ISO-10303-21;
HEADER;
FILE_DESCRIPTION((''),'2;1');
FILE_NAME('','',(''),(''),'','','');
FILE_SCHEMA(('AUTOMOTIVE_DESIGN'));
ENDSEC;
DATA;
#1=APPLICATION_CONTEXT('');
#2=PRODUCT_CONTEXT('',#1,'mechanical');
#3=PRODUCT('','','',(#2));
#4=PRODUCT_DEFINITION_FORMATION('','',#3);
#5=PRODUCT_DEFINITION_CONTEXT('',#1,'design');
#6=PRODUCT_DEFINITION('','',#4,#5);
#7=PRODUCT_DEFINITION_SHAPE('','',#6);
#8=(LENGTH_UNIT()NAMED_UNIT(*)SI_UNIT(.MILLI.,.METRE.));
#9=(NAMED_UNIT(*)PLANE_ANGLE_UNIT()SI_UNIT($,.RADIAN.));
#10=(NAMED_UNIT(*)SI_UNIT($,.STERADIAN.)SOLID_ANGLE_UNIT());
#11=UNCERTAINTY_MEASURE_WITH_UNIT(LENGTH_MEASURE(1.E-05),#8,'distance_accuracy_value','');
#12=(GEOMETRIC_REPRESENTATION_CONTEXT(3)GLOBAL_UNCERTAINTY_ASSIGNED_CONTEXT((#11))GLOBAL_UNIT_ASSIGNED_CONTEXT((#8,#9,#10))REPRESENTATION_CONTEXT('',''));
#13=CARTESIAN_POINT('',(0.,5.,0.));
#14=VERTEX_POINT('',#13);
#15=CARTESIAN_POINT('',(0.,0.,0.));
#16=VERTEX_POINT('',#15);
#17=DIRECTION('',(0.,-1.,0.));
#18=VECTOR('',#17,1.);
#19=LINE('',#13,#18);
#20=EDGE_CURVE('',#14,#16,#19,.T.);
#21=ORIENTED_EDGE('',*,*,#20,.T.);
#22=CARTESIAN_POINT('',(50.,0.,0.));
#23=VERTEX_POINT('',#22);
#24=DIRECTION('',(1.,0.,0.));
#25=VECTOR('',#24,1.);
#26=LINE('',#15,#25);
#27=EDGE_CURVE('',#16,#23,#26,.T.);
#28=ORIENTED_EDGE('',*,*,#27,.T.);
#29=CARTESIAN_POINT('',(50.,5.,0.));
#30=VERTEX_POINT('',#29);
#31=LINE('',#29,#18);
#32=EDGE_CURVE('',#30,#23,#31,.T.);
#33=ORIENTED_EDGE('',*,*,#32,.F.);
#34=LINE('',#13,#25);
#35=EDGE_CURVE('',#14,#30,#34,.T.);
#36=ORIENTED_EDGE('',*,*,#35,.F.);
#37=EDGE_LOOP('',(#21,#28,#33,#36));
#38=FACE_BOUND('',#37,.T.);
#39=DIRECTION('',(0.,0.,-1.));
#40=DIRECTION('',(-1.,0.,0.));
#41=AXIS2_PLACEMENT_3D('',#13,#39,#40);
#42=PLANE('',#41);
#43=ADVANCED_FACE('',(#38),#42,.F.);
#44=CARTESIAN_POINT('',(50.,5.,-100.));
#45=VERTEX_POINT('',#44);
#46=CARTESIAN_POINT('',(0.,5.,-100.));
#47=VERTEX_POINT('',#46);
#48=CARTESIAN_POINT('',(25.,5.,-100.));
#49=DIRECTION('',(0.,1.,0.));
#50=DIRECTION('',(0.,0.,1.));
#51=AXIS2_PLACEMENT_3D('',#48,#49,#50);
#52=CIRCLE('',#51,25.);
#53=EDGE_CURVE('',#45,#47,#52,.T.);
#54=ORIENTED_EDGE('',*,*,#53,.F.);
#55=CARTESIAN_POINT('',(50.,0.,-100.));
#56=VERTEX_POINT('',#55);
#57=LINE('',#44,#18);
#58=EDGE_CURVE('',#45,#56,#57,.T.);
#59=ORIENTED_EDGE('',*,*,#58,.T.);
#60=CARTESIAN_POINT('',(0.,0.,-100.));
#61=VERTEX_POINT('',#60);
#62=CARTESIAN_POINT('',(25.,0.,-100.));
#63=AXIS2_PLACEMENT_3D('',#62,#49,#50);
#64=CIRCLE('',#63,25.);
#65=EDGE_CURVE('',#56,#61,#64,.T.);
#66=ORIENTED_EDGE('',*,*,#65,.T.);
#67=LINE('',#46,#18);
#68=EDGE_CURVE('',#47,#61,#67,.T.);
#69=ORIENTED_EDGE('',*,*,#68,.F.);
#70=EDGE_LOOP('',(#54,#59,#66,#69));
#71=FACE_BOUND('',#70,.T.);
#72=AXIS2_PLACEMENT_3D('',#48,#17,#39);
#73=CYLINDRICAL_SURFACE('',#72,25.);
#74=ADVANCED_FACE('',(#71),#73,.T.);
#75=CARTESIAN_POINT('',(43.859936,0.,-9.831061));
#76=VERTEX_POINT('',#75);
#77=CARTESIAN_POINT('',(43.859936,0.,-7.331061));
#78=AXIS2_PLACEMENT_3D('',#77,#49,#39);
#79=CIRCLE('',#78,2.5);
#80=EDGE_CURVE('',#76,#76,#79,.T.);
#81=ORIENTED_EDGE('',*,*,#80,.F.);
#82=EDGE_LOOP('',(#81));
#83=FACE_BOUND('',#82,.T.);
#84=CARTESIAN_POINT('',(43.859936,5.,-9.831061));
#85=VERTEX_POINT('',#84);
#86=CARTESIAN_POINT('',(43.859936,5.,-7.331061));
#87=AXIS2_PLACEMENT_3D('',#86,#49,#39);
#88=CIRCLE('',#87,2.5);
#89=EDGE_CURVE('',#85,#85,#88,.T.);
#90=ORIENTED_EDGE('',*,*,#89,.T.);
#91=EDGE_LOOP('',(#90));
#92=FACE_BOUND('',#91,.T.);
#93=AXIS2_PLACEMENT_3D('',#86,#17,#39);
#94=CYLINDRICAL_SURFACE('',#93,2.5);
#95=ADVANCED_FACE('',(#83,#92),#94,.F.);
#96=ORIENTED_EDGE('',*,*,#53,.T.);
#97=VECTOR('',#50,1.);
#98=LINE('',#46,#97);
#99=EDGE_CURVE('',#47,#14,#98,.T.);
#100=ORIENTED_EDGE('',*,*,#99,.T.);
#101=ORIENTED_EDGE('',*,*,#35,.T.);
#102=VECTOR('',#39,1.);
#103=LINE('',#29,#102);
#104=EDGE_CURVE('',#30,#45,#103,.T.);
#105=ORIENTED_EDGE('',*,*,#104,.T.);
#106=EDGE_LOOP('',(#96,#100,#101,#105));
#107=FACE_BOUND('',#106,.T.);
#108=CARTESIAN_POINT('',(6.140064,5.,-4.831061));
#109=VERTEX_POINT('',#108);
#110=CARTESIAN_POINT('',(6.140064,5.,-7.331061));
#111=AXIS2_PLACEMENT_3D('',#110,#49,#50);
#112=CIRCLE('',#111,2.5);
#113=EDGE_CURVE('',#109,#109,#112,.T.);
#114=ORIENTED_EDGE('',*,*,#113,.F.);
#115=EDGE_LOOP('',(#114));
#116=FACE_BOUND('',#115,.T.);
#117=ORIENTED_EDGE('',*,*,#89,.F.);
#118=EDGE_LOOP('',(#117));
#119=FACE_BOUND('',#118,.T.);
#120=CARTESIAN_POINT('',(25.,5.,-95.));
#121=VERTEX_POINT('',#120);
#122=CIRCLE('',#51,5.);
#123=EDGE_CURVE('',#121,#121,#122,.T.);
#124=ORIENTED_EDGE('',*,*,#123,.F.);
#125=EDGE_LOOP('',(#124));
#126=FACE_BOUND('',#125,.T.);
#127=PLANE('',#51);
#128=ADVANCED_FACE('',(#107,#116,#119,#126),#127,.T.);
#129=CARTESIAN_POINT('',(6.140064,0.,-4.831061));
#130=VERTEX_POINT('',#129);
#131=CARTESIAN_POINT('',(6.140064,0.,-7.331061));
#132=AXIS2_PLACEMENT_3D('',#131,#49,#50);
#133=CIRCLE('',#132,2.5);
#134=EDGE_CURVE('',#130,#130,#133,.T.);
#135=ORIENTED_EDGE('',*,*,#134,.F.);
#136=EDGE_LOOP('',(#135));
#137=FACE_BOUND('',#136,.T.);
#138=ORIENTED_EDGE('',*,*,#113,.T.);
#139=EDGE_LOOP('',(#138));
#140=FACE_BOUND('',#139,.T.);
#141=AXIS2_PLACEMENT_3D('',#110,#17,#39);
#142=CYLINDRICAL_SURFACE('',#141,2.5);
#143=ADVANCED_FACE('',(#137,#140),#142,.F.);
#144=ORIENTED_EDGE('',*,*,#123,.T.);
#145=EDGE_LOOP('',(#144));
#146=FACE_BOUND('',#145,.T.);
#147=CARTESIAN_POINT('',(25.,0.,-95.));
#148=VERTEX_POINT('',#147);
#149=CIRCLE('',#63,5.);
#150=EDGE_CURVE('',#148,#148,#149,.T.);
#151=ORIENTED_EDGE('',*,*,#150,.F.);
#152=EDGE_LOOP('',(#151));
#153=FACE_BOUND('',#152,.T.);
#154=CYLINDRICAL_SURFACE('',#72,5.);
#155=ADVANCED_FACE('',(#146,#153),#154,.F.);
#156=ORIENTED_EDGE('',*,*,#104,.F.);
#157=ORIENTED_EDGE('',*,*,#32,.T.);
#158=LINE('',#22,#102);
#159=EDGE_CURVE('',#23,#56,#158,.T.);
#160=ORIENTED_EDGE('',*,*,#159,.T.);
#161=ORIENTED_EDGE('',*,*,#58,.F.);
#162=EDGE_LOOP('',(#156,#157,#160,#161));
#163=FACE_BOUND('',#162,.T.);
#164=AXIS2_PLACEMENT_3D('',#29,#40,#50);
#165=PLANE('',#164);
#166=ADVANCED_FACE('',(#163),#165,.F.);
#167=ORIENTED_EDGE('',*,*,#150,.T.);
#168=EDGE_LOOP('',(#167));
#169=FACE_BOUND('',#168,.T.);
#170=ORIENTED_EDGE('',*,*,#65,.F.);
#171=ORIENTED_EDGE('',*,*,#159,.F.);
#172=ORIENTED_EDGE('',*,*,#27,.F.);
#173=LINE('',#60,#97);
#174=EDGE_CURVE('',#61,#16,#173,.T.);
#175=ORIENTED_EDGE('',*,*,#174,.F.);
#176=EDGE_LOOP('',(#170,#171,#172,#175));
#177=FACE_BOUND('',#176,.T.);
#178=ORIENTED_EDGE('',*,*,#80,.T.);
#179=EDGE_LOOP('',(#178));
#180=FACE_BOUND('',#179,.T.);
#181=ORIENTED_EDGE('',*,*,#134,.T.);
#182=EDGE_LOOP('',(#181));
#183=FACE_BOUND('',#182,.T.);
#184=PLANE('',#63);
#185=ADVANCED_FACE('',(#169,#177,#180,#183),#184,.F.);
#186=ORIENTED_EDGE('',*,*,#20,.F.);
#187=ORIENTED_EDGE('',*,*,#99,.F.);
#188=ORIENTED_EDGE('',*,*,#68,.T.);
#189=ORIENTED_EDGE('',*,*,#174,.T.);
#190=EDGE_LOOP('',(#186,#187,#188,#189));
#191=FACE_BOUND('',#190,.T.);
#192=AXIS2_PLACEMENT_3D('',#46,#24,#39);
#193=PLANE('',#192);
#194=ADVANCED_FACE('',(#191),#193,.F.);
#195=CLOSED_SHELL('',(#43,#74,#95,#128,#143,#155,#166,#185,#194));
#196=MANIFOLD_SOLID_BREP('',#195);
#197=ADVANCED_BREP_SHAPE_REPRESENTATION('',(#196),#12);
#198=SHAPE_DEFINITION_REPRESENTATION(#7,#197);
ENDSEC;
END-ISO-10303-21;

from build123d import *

# Parameters (mm, degrees)
SKETCH1_R           = 5
SKETCH1_R_2         = 2.5
BOSS_EXTRUDE1_DEPTH = 5


with BuildPart() as part:
    # Sketch1 → Boss-Extrude1 (new body)
    with BuildSketch(Plane(origin=(0, 0, 0), x_dir=(1, 0, 0), z_dir=(0, 1, 0))):
        with BuildLine():
            Line((0, 0), (50, 0))
            Line((50, 0), (50, 100))
            ThreePointArc((50, 100), (25, 125), (0, 100))
            Line((0, 100), (0, 0))
        make_face()
        with Locations(Location((25, 100, 0), (0, 0, 270))):
            Circle(SKETCH1_R, mode=Mode.SUBTRACT)
        with Locations(Location((6.140064067, 7.331061288, 0), (0, 0, 270))):
            Circle(SKETCH1_R_2, mode=Mode.SUBTRACT)
        with Locations(Location((43.859935933, 7.331061288, 0), (0, 0, 90))):
            Circle(SKETCH1_R_2, mode=Mode.SUBTRACT)
    extrude(amount=BOSS_EXTRUDE1_DEPTH)


solid = part.part
